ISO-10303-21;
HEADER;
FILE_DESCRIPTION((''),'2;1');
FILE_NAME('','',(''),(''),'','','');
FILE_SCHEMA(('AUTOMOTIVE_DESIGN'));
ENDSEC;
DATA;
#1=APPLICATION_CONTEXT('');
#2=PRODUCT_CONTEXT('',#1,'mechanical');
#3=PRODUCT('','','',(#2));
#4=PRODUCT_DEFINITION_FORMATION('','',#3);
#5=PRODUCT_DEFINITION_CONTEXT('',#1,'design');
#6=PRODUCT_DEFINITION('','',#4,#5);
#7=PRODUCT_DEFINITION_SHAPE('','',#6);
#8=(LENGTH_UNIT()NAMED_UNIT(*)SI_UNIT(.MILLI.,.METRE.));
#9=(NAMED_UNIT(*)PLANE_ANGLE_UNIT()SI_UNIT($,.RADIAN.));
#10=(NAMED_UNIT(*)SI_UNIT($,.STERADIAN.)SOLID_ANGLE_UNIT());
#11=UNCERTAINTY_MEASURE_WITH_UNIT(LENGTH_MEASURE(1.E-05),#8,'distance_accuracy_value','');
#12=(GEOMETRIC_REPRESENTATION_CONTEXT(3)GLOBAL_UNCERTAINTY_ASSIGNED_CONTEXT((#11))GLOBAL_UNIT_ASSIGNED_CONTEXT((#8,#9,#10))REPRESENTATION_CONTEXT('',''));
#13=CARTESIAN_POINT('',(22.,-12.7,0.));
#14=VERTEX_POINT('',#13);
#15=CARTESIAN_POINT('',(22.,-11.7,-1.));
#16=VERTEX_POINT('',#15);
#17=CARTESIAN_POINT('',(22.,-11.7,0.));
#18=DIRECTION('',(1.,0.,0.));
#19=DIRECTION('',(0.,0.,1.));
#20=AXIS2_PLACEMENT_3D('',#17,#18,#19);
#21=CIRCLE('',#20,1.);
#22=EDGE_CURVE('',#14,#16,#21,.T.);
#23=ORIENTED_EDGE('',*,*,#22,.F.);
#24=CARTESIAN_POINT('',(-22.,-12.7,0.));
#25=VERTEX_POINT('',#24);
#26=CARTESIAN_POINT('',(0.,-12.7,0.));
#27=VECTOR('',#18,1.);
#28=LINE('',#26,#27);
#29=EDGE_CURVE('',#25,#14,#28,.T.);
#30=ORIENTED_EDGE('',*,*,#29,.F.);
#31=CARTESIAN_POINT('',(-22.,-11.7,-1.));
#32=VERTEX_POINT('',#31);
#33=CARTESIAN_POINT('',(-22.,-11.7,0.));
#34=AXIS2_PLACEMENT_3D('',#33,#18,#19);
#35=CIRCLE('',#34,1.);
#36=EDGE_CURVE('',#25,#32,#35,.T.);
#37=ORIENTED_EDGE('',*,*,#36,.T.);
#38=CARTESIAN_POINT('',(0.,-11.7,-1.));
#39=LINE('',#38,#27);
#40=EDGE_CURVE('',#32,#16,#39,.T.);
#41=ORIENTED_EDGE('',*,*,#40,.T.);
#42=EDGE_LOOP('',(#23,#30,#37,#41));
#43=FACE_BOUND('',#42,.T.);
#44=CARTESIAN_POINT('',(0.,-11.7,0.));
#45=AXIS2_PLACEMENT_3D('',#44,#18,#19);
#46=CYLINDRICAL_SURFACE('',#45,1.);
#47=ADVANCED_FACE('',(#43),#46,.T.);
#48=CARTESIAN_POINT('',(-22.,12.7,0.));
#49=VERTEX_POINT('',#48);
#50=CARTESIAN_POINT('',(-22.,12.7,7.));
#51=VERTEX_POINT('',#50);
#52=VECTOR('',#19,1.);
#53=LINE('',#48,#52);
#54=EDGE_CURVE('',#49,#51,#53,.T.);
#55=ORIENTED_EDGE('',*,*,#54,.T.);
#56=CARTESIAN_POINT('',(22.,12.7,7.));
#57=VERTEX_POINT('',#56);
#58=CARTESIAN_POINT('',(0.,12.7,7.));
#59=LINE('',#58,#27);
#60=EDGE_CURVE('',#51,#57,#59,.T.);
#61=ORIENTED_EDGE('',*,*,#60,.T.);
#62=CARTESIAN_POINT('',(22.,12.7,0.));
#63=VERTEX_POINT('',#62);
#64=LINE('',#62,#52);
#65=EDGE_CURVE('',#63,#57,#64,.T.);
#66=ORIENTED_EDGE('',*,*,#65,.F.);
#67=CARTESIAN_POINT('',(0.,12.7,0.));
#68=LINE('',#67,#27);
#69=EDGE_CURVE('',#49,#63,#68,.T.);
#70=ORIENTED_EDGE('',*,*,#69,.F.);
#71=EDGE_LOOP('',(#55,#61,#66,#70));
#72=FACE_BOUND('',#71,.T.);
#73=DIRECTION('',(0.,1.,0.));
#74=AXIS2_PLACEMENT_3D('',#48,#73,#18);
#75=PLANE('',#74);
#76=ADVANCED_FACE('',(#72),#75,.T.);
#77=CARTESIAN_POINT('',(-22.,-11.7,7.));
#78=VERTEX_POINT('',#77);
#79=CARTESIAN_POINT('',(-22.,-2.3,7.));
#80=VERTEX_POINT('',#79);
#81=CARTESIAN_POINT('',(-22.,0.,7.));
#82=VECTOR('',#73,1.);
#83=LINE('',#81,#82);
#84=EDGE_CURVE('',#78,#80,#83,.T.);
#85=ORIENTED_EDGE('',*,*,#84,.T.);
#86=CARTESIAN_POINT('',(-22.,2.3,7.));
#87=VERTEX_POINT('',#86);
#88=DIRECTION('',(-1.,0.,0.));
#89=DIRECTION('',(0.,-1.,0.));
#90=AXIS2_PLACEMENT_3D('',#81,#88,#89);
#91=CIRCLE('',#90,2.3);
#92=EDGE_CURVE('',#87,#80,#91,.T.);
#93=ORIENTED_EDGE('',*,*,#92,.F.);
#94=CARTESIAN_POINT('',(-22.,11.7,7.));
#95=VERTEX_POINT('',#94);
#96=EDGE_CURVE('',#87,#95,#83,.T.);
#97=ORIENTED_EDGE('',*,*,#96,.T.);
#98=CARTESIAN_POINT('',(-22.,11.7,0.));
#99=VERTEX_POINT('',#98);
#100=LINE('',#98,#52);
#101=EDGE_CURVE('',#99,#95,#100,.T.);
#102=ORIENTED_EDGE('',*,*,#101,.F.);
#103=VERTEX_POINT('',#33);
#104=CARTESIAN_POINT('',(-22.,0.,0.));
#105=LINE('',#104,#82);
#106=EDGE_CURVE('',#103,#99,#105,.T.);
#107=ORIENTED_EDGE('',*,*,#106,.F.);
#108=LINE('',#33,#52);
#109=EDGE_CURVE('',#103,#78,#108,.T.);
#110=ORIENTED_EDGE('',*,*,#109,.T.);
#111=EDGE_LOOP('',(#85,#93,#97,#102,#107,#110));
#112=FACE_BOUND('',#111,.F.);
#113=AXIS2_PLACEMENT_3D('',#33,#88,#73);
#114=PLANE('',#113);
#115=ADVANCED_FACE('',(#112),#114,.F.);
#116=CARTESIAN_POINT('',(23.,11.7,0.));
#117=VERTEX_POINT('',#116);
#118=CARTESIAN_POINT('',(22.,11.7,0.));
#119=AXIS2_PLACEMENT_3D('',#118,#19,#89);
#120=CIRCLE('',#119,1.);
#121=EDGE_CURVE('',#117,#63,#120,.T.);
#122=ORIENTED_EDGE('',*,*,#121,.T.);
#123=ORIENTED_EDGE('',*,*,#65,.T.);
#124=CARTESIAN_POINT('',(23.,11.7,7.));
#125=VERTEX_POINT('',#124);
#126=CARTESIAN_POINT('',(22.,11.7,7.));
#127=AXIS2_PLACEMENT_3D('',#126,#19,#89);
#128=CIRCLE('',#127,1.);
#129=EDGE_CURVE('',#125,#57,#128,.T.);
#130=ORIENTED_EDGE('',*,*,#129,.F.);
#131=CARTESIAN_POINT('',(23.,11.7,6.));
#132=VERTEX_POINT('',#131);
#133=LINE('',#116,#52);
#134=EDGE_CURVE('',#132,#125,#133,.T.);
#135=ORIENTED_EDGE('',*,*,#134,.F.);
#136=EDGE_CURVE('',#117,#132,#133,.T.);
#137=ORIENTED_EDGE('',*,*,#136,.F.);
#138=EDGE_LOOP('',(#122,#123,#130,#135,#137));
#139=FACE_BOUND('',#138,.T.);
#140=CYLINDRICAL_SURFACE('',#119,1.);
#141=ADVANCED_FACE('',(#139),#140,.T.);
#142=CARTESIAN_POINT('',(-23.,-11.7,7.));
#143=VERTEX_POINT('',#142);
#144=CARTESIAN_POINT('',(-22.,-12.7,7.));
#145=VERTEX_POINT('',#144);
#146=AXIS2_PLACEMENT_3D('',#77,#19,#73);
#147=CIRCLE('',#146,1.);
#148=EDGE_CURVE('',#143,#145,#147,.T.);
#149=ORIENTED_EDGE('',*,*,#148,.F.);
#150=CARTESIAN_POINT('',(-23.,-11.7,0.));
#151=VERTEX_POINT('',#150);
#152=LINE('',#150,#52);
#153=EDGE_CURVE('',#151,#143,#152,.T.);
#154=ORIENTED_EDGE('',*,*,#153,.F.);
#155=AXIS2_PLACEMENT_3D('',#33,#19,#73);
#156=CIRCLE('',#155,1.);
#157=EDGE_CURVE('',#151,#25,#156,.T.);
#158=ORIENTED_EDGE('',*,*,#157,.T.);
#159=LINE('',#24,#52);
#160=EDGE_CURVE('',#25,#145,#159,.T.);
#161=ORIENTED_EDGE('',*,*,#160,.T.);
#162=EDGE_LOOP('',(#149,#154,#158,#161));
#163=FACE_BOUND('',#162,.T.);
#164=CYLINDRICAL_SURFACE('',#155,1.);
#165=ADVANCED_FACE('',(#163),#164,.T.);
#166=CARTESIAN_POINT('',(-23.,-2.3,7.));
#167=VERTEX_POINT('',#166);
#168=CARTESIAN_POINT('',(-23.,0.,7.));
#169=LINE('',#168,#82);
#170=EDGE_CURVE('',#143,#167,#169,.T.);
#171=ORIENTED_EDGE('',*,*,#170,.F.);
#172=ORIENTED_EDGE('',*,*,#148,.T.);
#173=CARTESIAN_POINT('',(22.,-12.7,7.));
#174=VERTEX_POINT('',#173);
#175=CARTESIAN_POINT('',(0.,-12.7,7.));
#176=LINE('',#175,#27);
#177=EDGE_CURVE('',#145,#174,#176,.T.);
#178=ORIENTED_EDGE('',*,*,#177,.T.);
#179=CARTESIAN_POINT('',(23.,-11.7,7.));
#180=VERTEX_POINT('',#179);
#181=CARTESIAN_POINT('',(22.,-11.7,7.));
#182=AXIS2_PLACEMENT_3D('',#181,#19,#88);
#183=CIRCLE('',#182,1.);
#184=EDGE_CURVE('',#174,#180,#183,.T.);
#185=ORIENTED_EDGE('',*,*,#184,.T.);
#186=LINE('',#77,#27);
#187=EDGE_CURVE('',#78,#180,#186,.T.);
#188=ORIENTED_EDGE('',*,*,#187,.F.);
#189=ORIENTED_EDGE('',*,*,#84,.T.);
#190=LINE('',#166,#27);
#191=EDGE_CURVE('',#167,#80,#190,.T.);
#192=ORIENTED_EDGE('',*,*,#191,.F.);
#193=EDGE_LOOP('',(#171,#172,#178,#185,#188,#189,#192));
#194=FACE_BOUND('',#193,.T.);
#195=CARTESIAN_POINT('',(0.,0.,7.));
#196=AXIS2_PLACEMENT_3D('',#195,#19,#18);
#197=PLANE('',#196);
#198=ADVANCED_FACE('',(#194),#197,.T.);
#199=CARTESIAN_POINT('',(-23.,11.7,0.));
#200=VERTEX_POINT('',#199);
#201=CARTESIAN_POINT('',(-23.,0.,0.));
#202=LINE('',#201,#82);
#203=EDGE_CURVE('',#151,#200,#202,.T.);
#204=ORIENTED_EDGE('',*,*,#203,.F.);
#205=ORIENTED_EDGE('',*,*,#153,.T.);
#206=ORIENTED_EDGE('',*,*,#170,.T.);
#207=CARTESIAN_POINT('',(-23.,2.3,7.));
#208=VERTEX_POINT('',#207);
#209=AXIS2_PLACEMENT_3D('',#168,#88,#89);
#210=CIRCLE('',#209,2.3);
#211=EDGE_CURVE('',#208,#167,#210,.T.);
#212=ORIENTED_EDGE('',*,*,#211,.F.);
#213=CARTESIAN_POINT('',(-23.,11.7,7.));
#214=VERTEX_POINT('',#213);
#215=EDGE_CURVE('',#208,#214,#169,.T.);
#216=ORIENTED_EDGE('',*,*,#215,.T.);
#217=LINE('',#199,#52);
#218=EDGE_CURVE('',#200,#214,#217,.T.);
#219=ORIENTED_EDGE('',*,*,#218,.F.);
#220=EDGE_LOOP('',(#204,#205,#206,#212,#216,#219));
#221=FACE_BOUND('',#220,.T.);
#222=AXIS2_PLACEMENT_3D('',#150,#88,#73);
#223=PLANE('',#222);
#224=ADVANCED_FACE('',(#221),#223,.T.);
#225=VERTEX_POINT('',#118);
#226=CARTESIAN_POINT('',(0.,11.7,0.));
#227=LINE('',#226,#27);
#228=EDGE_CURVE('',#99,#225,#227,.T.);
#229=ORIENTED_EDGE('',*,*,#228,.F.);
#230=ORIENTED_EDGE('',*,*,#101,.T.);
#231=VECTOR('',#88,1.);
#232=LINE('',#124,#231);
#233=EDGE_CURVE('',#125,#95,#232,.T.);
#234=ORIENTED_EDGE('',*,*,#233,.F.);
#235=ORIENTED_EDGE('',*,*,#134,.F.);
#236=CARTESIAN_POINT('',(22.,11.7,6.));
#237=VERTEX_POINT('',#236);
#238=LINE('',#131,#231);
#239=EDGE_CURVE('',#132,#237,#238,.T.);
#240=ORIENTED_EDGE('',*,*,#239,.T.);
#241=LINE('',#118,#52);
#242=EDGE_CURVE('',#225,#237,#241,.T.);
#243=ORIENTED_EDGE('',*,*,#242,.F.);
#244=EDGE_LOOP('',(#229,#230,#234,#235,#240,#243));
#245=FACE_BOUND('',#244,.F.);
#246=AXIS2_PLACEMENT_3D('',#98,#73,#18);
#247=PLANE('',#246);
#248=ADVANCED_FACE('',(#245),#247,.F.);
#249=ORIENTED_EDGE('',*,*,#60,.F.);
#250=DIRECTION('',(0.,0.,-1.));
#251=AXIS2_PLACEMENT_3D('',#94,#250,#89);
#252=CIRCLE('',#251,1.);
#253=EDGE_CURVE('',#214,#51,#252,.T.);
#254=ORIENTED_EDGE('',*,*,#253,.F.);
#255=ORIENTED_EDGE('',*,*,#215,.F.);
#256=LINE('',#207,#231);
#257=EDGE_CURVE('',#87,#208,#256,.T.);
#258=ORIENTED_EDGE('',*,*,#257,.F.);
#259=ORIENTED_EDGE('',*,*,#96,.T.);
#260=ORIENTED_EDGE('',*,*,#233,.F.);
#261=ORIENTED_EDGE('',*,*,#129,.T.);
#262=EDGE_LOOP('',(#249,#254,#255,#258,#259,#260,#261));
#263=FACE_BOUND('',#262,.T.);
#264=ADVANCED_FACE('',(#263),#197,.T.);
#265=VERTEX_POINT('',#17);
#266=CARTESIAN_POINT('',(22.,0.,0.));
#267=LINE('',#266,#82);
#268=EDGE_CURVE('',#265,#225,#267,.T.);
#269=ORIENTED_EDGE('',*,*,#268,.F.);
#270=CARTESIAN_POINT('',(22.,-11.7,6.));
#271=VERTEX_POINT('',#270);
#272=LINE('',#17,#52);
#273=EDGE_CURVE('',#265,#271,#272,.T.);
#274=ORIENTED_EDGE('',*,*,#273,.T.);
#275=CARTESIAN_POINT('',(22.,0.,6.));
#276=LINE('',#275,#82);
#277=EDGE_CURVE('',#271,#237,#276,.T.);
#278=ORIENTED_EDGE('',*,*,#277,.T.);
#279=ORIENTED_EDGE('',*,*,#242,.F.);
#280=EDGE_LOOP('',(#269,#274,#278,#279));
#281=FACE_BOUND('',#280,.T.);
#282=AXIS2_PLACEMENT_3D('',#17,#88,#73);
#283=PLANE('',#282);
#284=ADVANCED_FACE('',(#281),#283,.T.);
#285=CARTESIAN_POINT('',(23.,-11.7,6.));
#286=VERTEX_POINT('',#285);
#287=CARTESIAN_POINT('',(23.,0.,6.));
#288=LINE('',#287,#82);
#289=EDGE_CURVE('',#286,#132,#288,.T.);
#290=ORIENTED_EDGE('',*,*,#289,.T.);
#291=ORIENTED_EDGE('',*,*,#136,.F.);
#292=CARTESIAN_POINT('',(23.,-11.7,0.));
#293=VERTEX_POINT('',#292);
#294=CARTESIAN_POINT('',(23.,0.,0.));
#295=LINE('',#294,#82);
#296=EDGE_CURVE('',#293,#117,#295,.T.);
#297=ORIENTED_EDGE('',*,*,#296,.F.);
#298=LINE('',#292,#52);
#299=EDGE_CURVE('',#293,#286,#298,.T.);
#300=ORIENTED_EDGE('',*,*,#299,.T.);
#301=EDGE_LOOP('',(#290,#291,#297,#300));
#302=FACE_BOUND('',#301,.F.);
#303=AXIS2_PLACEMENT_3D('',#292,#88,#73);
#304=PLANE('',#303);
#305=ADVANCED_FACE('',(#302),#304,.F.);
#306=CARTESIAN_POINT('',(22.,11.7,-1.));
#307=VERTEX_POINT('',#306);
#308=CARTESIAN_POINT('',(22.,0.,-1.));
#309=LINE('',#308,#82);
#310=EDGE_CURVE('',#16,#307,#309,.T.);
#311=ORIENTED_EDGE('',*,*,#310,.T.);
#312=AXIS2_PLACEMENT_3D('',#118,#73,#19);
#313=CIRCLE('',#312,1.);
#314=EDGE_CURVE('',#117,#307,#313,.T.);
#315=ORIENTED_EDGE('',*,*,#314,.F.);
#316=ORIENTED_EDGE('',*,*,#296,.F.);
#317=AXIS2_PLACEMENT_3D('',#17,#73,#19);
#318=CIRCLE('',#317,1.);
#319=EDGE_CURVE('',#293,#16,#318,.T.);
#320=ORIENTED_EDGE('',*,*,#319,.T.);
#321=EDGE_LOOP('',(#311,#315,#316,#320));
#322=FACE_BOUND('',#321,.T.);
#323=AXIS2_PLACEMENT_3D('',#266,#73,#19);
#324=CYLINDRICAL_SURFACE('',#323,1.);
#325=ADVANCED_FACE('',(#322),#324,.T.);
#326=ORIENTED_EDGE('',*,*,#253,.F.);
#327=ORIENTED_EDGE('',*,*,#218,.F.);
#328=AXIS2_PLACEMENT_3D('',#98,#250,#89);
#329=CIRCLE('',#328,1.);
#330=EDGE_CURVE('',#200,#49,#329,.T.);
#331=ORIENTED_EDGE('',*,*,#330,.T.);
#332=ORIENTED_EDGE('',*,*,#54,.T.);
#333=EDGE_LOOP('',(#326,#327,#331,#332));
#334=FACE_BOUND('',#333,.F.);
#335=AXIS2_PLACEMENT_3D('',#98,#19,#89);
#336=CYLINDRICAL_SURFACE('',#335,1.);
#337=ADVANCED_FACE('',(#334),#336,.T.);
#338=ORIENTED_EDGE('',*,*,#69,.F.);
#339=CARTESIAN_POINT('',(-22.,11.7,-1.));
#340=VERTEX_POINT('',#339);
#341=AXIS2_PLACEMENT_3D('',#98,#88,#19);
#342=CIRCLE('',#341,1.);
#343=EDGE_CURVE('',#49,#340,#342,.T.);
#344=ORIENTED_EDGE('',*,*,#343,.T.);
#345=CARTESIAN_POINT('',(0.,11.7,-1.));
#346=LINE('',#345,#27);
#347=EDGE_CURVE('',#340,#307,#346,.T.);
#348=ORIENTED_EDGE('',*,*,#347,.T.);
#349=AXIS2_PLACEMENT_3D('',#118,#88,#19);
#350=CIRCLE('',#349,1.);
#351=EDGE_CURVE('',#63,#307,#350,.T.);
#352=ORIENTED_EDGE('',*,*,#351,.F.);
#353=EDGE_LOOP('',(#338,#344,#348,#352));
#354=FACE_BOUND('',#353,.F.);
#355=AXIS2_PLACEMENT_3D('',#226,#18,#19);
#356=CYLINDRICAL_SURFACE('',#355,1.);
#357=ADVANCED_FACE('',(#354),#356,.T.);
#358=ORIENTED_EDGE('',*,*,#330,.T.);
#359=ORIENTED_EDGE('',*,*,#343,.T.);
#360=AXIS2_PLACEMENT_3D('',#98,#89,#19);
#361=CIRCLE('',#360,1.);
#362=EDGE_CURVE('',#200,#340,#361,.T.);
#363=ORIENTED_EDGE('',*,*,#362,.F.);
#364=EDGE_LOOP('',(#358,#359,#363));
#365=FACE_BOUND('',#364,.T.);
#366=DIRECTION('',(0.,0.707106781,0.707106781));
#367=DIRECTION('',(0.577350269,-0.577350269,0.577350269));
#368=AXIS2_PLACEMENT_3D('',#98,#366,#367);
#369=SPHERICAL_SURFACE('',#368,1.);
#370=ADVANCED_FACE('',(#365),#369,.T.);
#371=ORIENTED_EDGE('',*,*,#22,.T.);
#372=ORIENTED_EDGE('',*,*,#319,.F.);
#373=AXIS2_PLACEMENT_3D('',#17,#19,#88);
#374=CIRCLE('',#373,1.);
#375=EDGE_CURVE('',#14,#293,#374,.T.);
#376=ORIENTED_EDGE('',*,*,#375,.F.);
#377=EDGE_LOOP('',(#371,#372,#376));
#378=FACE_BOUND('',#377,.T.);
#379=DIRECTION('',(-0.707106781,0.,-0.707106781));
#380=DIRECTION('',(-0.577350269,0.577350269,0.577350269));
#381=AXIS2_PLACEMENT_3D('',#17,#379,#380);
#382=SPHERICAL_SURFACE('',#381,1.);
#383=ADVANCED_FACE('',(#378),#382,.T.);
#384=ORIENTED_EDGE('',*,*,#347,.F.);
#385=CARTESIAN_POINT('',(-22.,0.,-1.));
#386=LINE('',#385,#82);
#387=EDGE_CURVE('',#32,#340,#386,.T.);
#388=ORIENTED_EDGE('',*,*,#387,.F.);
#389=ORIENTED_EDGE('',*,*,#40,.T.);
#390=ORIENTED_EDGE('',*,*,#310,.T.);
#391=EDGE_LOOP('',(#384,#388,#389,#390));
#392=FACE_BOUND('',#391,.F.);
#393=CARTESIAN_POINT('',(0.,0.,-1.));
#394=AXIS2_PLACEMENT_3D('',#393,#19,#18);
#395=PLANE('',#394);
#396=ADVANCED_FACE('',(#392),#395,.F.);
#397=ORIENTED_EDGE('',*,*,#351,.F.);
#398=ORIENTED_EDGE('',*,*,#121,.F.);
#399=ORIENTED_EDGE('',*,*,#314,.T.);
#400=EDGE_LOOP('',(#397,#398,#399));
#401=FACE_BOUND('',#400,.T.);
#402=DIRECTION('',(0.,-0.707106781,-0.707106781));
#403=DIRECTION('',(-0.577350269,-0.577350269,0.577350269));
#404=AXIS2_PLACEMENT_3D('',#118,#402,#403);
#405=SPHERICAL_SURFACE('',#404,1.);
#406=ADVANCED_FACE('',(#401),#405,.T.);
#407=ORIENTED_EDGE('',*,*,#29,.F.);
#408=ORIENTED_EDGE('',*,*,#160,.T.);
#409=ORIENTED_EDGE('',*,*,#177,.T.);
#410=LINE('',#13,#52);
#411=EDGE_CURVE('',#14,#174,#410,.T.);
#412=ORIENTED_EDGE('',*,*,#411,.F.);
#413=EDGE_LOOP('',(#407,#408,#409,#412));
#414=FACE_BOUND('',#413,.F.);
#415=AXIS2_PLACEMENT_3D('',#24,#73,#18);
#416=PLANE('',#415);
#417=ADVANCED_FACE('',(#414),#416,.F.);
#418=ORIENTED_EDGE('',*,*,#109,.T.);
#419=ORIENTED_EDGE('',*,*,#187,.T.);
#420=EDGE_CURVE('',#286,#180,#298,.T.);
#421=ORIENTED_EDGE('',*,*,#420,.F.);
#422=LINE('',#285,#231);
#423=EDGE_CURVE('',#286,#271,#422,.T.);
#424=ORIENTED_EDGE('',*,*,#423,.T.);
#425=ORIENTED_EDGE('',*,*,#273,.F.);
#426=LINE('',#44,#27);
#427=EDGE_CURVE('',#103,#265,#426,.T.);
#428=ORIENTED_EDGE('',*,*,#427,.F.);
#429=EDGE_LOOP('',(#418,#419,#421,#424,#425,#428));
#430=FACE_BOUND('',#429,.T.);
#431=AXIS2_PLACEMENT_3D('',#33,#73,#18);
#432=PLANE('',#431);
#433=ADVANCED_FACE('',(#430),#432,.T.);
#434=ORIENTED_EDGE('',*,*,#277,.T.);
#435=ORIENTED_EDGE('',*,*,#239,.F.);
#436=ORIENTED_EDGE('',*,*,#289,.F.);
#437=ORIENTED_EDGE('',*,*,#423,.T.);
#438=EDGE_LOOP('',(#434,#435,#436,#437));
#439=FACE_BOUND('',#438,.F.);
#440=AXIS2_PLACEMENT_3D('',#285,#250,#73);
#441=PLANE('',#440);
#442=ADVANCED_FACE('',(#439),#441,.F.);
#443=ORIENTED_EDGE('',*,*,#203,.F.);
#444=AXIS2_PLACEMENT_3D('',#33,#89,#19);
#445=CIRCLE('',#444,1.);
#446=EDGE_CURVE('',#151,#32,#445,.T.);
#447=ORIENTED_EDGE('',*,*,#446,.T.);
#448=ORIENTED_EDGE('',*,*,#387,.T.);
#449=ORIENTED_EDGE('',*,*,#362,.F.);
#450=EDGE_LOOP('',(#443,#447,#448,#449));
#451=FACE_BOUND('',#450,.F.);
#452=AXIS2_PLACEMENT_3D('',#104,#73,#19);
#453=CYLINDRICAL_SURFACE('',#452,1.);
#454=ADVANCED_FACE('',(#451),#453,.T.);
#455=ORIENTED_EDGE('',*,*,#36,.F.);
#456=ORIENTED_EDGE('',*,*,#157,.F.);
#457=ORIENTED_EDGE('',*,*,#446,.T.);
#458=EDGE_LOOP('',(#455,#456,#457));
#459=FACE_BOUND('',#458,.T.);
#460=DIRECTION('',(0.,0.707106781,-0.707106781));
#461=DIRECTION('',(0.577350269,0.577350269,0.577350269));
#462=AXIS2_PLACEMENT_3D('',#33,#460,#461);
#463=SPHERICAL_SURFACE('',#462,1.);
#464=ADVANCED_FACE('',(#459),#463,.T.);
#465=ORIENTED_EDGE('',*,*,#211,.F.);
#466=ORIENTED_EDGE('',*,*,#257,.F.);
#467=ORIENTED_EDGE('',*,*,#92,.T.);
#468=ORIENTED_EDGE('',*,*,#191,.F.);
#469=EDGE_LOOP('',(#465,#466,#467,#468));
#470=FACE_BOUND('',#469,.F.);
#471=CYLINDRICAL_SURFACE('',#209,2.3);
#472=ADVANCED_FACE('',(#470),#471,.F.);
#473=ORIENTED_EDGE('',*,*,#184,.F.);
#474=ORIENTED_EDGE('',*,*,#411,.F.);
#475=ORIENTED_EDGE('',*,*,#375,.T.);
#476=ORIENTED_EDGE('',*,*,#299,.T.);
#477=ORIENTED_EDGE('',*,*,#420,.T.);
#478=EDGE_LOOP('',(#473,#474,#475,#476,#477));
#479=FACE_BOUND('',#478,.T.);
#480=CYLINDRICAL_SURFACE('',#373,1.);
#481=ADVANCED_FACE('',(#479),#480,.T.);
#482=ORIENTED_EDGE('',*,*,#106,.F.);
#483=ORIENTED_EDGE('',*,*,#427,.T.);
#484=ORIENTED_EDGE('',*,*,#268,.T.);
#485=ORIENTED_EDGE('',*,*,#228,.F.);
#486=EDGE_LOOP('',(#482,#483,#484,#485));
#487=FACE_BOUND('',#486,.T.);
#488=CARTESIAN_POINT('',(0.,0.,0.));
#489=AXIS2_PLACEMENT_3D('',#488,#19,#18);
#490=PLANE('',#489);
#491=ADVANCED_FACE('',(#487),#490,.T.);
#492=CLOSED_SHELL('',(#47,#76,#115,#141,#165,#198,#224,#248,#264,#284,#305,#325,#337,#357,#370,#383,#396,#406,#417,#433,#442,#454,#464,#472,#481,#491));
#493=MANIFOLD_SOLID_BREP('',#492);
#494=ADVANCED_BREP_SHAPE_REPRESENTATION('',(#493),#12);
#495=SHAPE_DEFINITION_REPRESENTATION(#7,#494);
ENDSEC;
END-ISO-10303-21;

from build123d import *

# Parameters (mm, degrees)
SKETCH016_W     = 44
SKETCH016_H     = 23.4
PAD009_DEPTH    = 7
THICKNESS003_T  = 1
SKETCH017_W     = 23.4
SKETCH017_H     = 1
POCKET005_DEPTH = 1
SKETCH018_R     = 2.3
POCKET006_DEPTH = 1


with BuildPart() as part:
    # Sketch016 → Pad009 (new body)
    with BuildSketch(Plane.XY):
        Rectangle(SKETCH016_W, SKETCH016_H)
    extrude(amount=PAD009_DEPTH)

    # Thickness003
    thickness003_openings = [part.faces().sort_by_distance(p)[0] for p in [
        (0, 0, 7),
    ]]
    offset(amount=THICKNESS003_T, openings=thickness003_openings)

    # Sketch017 (on Face7 of Thickness003) → Pocket005 (cut)
    with BuildSketch(Plane.YZ.offset(23)):
        with Locations((0, 6.5)):
            Rectangle(SKETCH017_W, SKETCH017_H)
    extrude(amount=-POCKET005_DEPTH, mode=Mode.SUBTRACT)

    # Sketch018 (on Face15 of Pocket005) → Pocket006 (cut)
    with BuildSketch(Plane(origin=(-23, 0, 0), x_dir=(0, -1, 0), z_dir=(-1, 0, 0))):
        with Locations((0, 7)):
            Circle(SKETCH018_R)
    extrude(amount=-POCKET006_DEPTH, mode=Mode.SUBTRACT)


solid = part.part
